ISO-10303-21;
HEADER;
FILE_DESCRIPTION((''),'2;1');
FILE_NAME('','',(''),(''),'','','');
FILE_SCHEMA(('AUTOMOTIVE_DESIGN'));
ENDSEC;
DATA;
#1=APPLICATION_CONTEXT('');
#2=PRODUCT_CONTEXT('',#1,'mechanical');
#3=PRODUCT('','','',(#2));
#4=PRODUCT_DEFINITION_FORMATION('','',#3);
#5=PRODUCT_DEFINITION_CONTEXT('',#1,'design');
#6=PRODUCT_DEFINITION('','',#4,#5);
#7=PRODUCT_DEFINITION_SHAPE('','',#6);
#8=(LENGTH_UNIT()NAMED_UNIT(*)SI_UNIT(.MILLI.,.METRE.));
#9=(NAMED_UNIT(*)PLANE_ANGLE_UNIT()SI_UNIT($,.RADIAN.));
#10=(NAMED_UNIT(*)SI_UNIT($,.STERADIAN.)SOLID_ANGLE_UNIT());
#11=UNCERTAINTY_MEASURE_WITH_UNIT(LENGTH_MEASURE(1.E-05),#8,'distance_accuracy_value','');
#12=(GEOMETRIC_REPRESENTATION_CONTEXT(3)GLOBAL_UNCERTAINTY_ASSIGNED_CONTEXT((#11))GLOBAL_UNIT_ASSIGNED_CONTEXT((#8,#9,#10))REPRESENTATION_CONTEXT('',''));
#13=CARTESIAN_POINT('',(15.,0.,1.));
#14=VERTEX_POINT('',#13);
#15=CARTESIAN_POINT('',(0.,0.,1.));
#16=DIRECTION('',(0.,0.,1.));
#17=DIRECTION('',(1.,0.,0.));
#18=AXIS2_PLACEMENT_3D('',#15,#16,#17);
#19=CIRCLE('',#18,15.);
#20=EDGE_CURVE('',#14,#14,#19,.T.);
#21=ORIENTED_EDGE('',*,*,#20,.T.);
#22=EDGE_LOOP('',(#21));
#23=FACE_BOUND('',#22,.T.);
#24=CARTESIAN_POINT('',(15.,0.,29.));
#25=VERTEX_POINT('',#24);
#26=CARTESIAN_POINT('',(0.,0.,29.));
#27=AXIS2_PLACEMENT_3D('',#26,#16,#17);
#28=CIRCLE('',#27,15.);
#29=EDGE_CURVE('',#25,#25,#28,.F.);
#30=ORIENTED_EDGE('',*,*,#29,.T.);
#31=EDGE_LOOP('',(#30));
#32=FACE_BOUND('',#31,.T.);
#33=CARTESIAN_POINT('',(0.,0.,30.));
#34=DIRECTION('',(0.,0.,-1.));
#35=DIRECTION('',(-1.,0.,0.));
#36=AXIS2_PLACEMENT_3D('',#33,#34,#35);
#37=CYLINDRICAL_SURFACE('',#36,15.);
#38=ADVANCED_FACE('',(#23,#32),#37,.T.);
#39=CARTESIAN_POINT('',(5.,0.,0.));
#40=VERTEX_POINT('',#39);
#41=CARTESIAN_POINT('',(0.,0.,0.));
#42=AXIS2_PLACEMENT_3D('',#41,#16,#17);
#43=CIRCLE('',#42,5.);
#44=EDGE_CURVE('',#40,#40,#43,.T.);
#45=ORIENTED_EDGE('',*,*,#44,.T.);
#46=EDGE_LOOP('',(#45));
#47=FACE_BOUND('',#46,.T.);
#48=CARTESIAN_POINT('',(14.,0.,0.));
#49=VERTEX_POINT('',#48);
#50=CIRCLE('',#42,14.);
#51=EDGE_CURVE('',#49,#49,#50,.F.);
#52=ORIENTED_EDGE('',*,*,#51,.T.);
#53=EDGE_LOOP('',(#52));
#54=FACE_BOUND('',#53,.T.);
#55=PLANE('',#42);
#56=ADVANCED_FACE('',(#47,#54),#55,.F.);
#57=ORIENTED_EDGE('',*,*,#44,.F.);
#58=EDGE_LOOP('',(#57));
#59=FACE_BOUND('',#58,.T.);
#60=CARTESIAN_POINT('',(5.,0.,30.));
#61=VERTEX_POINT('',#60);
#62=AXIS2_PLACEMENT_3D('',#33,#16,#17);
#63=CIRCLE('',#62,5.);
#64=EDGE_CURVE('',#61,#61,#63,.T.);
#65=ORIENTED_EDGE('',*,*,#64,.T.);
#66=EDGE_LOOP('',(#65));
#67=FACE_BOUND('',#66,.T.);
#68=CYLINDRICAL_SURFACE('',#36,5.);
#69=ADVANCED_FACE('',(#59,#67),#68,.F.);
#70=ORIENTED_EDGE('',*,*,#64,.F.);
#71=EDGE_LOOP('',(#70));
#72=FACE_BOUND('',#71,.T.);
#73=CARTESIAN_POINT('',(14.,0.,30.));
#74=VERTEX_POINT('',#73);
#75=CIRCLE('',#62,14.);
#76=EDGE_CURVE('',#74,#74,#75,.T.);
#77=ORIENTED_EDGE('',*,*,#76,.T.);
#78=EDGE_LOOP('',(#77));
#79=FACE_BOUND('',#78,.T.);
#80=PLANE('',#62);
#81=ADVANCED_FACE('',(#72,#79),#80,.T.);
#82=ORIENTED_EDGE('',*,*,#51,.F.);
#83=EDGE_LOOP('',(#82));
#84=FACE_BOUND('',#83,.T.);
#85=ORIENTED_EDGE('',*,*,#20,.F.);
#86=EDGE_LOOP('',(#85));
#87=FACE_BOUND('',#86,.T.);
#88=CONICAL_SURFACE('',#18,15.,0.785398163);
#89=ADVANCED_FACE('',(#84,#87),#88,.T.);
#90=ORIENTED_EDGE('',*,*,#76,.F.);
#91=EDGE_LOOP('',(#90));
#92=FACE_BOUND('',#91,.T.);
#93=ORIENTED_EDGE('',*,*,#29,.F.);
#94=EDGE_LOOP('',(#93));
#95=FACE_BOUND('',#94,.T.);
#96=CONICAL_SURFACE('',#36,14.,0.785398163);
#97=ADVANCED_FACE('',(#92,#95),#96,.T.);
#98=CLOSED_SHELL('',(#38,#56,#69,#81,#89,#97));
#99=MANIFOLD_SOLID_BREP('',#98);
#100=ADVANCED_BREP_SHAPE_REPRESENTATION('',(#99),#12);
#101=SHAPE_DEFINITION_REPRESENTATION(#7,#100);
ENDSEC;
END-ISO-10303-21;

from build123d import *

# Parameters (mm, degrees)
SKETCH1_R           = 15
SKETCH1_R_2         = 5
BOSS_EXTRUDE1_DEPTH = 30
CHAMFER1_SIZE       = 1


with BuildPart() as part:
    # Sketch1 → Boss-Extrude1 (new body)
    with BuildSketch(Plane.XY):
        Circle(SKETCH1_R)
        Circle(SKETCH1_R_2, mode=Mode.SUBTRACT)
    extrude(amount=BOSS_EXTRUDE1_DEPTH)

    # Chamfer1
    chamfer1_edges = [part.edges().sort_by_distance(p)[0] for p in [
        (-15, 0, 0),
        (-15, 0, 30),
    ]]
    chamfer(chamfer1_edges, length=CHAMFER1_SIZE)


solid = part.part
